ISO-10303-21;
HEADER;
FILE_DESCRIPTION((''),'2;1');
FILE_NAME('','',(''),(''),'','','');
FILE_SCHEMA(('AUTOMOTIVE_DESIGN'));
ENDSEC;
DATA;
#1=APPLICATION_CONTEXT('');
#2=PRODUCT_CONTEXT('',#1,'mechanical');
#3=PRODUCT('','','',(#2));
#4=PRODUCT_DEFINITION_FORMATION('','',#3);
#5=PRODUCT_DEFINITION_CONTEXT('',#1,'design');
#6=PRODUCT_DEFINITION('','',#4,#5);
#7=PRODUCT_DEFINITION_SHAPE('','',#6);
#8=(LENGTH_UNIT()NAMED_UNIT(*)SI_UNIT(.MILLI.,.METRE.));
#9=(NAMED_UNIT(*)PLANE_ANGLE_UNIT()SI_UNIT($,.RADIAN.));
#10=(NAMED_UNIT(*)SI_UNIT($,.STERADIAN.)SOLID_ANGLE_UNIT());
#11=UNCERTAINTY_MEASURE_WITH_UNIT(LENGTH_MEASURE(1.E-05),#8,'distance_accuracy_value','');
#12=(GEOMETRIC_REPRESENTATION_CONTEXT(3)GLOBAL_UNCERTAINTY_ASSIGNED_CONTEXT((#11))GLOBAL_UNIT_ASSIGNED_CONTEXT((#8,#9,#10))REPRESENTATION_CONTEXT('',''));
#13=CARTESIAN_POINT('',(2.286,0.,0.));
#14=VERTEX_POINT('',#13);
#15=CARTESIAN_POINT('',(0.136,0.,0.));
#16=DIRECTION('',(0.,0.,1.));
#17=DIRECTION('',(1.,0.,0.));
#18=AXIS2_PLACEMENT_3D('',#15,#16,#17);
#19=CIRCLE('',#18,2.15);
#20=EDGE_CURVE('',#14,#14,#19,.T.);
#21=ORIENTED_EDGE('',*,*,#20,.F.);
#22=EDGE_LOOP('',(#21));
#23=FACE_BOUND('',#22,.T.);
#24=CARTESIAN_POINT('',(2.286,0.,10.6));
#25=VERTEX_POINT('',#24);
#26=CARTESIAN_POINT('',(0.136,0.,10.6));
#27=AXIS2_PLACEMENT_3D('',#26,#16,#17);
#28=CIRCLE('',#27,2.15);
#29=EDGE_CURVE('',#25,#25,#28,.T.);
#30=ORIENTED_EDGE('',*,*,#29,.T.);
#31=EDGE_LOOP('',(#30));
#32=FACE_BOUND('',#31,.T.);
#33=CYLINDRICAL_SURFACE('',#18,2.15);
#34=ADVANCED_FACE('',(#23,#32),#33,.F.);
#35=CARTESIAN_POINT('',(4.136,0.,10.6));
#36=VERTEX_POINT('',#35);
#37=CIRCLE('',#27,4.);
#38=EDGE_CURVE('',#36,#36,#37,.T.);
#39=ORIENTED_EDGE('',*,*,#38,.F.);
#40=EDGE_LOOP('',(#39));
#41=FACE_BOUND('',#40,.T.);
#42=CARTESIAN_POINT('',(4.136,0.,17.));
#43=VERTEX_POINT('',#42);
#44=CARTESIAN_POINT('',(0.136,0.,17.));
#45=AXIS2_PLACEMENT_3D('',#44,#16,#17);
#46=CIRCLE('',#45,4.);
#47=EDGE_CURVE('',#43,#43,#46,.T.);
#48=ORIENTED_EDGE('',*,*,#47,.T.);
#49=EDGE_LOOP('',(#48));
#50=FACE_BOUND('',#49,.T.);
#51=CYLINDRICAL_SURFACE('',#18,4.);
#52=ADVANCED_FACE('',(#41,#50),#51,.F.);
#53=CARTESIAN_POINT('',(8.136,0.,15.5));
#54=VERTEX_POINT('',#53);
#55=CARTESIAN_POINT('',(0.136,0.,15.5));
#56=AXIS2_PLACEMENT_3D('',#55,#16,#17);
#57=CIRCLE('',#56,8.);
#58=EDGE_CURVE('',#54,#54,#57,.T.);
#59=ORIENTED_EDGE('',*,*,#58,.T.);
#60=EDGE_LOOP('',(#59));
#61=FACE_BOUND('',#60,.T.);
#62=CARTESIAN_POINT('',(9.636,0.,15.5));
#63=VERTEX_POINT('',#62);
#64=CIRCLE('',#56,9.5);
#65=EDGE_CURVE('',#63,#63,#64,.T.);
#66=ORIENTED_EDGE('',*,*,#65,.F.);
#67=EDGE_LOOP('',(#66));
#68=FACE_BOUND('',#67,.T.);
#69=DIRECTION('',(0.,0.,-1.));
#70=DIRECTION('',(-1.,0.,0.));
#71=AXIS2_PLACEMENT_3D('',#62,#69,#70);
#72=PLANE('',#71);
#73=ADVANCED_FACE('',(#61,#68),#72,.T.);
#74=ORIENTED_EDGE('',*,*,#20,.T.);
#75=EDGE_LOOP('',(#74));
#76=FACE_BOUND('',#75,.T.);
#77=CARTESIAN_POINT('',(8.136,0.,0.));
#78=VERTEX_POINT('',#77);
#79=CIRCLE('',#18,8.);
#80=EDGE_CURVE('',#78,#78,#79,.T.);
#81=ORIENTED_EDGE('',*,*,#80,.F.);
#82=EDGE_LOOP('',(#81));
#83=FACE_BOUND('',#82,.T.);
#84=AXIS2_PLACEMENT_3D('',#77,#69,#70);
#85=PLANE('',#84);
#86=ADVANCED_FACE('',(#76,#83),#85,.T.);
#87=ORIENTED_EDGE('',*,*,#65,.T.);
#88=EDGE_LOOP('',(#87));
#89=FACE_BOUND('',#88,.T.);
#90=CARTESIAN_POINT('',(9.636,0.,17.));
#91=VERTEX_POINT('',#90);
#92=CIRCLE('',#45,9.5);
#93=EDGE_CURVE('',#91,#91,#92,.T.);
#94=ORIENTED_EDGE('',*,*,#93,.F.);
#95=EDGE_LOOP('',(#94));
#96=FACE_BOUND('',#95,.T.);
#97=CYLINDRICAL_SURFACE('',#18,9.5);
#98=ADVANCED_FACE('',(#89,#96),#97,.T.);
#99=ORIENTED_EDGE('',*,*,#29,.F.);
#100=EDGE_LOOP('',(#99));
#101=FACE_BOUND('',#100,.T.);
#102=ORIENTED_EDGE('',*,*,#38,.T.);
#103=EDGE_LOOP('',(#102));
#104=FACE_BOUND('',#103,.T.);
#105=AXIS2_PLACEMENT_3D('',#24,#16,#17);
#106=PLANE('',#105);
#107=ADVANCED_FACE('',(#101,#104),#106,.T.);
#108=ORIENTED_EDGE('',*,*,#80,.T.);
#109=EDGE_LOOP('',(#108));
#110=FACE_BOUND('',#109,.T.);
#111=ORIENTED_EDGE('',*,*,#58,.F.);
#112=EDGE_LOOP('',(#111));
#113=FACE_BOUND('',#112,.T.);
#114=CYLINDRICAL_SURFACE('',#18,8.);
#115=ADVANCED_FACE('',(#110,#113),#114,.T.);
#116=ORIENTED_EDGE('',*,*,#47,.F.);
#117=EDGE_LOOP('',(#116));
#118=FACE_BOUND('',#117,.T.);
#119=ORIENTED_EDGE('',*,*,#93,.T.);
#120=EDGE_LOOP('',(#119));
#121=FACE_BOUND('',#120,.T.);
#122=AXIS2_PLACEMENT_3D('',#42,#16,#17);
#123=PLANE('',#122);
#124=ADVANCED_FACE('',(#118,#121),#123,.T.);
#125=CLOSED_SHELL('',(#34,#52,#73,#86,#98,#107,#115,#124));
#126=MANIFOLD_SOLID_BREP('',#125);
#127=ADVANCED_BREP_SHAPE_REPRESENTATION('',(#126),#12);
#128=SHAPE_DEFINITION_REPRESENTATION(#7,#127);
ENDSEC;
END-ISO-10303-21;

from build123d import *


with BuildPart() as part:
    # Sketch1 → Revolve1 (revolve)
    with BuildSketch(Plane(origin=(0, 0, 0), x_dir=(1, 0, 0), z_dir=(0, 1, 0))):
        Polygon((2.286, -10.6), (4.136, -10.6), (4.136, -17), (9.636, -17), (9.636, -15.5), (8.136, -15.5), (8.136, 0), (2.286, 0), align=None)
    revolve(axis=Axis((0.136, 0, 0), (0, 0, 1)))


solid = part.part
